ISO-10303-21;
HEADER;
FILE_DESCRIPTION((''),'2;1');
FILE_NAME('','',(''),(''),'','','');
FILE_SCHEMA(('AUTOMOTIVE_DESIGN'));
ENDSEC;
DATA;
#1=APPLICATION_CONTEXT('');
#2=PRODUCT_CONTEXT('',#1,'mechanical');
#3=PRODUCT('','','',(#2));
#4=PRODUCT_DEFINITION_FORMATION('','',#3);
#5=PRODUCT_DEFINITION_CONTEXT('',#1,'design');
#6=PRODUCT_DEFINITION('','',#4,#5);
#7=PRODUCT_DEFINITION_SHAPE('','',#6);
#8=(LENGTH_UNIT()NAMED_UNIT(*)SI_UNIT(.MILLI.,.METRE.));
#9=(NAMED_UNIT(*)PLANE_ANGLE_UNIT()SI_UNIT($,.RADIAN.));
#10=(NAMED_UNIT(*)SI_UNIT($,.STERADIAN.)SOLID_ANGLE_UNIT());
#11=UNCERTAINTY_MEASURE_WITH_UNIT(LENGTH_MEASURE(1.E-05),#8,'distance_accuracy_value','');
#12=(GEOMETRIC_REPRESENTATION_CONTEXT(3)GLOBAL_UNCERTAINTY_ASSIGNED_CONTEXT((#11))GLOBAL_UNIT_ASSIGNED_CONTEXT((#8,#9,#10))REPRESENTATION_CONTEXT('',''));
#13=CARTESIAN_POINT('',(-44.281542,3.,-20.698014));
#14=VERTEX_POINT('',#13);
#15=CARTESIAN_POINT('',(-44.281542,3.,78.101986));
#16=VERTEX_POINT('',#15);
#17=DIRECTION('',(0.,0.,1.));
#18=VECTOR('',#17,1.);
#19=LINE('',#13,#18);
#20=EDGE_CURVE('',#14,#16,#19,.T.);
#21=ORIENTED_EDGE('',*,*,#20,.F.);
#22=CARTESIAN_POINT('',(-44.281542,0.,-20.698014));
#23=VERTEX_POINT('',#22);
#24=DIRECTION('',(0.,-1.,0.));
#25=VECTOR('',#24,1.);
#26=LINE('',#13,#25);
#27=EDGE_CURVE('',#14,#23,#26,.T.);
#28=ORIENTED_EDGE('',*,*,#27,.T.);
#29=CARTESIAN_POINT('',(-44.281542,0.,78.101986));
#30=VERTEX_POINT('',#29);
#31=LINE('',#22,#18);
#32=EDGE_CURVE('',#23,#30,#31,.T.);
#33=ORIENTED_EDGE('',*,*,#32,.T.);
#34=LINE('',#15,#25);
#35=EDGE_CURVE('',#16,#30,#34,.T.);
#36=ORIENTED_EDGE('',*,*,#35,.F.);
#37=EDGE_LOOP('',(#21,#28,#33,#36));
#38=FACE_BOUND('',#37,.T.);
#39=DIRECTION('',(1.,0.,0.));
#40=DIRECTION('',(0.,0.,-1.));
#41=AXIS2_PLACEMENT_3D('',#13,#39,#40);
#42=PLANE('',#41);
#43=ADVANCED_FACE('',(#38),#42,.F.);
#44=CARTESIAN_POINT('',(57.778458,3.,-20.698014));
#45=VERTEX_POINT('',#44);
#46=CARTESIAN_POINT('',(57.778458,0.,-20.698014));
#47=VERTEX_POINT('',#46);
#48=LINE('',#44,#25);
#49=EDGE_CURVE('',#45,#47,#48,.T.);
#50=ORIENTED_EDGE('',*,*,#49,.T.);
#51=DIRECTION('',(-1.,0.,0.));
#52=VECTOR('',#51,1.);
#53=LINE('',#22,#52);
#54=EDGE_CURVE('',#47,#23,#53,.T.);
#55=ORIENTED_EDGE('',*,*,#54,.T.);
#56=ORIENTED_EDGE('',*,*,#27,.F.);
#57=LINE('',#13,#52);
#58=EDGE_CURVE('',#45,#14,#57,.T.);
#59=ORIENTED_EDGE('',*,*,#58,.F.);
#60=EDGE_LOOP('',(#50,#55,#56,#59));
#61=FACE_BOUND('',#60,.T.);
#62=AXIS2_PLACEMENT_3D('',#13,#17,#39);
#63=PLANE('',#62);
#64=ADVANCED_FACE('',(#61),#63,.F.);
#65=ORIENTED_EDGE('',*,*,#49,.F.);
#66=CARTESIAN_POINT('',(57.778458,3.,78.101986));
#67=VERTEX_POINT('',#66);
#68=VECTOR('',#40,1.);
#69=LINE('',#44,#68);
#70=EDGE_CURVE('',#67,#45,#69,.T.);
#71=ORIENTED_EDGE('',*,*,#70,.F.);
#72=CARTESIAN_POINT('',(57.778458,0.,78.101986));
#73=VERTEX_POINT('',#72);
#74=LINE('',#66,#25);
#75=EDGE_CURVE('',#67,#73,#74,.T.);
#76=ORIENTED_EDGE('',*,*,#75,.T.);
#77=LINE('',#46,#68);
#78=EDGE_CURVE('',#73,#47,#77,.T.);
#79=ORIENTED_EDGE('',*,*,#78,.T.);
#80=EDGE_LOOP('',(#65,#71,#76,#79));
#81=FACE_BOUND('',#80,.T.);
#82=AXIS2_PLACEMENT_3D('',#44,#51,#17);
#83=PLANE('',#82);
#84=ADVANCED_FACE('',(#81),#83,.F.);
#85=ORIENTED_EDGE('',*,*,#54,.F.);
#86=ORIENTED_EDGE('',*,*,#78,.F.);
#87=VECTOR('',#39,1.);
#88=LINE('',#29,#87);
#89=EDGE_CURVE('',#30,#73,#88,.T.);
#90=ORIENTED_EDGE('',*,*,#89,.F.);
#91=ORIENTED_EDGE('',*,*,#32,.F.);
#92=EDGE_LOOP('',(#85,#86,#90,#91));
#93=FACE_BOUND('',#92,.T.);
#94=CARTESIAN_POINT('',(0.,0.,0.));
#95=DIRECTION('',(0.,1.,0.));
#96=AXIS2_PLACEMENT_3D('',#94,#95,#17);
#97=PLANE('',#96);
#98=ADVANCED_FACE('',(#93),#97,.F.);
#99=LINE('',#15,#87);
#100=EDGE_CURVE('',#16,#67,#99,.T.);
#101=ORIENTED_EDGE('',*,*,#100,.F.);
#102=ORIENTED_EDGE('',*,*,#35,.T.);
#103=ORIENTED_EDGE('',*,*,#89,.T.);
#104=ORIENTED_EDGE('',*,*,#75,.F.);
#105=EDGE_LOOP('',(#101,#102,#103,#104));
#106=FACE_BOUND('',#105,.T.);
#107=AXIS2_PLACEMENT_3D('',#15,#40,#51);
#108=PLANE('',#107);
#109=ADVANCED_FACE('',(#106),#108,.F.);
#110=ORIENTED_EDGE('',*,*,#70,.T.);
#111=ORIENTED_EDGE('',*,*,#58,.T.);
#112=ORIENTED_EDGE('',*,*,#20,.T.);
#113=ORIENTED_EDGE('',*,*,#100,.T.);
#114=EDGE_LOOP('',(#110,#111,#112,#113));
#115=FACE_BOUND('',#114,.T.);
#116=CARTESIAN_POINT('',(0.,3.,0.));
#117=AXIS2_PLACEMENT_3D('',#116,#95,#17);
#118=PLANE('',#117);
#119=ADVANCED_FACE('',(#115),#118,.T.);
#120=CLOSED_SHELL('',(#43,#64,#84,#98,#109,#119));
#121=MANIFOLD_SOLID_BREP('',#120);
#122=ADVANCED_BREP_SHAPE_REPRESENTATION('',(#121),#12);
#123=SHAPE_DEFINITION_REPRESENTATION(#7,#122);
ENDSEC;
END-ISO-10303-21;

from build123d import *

# Parameters (mm, degrees)
SKETCH1_W           = 102.06
SKETCH1_H           = 98.8
BOSS_EXTRUDE1_DEPTH = 3


with BuildPart() as part:
    # Sketch1 → Boss-Extrude1 (new body)
    with BuildSketch(Plane(origin=(0, 0, 0), x_dir=(1, 0, 0), z_dir=(0, 1, 0))):
        with Locations((6.748457944, -28.701985981)):
            Rectangle(SKETCH1_W, SKETCH1_H)
    extrude(amount=BOSS_EXTRUDE1_DEPTH)


solid = part.part
